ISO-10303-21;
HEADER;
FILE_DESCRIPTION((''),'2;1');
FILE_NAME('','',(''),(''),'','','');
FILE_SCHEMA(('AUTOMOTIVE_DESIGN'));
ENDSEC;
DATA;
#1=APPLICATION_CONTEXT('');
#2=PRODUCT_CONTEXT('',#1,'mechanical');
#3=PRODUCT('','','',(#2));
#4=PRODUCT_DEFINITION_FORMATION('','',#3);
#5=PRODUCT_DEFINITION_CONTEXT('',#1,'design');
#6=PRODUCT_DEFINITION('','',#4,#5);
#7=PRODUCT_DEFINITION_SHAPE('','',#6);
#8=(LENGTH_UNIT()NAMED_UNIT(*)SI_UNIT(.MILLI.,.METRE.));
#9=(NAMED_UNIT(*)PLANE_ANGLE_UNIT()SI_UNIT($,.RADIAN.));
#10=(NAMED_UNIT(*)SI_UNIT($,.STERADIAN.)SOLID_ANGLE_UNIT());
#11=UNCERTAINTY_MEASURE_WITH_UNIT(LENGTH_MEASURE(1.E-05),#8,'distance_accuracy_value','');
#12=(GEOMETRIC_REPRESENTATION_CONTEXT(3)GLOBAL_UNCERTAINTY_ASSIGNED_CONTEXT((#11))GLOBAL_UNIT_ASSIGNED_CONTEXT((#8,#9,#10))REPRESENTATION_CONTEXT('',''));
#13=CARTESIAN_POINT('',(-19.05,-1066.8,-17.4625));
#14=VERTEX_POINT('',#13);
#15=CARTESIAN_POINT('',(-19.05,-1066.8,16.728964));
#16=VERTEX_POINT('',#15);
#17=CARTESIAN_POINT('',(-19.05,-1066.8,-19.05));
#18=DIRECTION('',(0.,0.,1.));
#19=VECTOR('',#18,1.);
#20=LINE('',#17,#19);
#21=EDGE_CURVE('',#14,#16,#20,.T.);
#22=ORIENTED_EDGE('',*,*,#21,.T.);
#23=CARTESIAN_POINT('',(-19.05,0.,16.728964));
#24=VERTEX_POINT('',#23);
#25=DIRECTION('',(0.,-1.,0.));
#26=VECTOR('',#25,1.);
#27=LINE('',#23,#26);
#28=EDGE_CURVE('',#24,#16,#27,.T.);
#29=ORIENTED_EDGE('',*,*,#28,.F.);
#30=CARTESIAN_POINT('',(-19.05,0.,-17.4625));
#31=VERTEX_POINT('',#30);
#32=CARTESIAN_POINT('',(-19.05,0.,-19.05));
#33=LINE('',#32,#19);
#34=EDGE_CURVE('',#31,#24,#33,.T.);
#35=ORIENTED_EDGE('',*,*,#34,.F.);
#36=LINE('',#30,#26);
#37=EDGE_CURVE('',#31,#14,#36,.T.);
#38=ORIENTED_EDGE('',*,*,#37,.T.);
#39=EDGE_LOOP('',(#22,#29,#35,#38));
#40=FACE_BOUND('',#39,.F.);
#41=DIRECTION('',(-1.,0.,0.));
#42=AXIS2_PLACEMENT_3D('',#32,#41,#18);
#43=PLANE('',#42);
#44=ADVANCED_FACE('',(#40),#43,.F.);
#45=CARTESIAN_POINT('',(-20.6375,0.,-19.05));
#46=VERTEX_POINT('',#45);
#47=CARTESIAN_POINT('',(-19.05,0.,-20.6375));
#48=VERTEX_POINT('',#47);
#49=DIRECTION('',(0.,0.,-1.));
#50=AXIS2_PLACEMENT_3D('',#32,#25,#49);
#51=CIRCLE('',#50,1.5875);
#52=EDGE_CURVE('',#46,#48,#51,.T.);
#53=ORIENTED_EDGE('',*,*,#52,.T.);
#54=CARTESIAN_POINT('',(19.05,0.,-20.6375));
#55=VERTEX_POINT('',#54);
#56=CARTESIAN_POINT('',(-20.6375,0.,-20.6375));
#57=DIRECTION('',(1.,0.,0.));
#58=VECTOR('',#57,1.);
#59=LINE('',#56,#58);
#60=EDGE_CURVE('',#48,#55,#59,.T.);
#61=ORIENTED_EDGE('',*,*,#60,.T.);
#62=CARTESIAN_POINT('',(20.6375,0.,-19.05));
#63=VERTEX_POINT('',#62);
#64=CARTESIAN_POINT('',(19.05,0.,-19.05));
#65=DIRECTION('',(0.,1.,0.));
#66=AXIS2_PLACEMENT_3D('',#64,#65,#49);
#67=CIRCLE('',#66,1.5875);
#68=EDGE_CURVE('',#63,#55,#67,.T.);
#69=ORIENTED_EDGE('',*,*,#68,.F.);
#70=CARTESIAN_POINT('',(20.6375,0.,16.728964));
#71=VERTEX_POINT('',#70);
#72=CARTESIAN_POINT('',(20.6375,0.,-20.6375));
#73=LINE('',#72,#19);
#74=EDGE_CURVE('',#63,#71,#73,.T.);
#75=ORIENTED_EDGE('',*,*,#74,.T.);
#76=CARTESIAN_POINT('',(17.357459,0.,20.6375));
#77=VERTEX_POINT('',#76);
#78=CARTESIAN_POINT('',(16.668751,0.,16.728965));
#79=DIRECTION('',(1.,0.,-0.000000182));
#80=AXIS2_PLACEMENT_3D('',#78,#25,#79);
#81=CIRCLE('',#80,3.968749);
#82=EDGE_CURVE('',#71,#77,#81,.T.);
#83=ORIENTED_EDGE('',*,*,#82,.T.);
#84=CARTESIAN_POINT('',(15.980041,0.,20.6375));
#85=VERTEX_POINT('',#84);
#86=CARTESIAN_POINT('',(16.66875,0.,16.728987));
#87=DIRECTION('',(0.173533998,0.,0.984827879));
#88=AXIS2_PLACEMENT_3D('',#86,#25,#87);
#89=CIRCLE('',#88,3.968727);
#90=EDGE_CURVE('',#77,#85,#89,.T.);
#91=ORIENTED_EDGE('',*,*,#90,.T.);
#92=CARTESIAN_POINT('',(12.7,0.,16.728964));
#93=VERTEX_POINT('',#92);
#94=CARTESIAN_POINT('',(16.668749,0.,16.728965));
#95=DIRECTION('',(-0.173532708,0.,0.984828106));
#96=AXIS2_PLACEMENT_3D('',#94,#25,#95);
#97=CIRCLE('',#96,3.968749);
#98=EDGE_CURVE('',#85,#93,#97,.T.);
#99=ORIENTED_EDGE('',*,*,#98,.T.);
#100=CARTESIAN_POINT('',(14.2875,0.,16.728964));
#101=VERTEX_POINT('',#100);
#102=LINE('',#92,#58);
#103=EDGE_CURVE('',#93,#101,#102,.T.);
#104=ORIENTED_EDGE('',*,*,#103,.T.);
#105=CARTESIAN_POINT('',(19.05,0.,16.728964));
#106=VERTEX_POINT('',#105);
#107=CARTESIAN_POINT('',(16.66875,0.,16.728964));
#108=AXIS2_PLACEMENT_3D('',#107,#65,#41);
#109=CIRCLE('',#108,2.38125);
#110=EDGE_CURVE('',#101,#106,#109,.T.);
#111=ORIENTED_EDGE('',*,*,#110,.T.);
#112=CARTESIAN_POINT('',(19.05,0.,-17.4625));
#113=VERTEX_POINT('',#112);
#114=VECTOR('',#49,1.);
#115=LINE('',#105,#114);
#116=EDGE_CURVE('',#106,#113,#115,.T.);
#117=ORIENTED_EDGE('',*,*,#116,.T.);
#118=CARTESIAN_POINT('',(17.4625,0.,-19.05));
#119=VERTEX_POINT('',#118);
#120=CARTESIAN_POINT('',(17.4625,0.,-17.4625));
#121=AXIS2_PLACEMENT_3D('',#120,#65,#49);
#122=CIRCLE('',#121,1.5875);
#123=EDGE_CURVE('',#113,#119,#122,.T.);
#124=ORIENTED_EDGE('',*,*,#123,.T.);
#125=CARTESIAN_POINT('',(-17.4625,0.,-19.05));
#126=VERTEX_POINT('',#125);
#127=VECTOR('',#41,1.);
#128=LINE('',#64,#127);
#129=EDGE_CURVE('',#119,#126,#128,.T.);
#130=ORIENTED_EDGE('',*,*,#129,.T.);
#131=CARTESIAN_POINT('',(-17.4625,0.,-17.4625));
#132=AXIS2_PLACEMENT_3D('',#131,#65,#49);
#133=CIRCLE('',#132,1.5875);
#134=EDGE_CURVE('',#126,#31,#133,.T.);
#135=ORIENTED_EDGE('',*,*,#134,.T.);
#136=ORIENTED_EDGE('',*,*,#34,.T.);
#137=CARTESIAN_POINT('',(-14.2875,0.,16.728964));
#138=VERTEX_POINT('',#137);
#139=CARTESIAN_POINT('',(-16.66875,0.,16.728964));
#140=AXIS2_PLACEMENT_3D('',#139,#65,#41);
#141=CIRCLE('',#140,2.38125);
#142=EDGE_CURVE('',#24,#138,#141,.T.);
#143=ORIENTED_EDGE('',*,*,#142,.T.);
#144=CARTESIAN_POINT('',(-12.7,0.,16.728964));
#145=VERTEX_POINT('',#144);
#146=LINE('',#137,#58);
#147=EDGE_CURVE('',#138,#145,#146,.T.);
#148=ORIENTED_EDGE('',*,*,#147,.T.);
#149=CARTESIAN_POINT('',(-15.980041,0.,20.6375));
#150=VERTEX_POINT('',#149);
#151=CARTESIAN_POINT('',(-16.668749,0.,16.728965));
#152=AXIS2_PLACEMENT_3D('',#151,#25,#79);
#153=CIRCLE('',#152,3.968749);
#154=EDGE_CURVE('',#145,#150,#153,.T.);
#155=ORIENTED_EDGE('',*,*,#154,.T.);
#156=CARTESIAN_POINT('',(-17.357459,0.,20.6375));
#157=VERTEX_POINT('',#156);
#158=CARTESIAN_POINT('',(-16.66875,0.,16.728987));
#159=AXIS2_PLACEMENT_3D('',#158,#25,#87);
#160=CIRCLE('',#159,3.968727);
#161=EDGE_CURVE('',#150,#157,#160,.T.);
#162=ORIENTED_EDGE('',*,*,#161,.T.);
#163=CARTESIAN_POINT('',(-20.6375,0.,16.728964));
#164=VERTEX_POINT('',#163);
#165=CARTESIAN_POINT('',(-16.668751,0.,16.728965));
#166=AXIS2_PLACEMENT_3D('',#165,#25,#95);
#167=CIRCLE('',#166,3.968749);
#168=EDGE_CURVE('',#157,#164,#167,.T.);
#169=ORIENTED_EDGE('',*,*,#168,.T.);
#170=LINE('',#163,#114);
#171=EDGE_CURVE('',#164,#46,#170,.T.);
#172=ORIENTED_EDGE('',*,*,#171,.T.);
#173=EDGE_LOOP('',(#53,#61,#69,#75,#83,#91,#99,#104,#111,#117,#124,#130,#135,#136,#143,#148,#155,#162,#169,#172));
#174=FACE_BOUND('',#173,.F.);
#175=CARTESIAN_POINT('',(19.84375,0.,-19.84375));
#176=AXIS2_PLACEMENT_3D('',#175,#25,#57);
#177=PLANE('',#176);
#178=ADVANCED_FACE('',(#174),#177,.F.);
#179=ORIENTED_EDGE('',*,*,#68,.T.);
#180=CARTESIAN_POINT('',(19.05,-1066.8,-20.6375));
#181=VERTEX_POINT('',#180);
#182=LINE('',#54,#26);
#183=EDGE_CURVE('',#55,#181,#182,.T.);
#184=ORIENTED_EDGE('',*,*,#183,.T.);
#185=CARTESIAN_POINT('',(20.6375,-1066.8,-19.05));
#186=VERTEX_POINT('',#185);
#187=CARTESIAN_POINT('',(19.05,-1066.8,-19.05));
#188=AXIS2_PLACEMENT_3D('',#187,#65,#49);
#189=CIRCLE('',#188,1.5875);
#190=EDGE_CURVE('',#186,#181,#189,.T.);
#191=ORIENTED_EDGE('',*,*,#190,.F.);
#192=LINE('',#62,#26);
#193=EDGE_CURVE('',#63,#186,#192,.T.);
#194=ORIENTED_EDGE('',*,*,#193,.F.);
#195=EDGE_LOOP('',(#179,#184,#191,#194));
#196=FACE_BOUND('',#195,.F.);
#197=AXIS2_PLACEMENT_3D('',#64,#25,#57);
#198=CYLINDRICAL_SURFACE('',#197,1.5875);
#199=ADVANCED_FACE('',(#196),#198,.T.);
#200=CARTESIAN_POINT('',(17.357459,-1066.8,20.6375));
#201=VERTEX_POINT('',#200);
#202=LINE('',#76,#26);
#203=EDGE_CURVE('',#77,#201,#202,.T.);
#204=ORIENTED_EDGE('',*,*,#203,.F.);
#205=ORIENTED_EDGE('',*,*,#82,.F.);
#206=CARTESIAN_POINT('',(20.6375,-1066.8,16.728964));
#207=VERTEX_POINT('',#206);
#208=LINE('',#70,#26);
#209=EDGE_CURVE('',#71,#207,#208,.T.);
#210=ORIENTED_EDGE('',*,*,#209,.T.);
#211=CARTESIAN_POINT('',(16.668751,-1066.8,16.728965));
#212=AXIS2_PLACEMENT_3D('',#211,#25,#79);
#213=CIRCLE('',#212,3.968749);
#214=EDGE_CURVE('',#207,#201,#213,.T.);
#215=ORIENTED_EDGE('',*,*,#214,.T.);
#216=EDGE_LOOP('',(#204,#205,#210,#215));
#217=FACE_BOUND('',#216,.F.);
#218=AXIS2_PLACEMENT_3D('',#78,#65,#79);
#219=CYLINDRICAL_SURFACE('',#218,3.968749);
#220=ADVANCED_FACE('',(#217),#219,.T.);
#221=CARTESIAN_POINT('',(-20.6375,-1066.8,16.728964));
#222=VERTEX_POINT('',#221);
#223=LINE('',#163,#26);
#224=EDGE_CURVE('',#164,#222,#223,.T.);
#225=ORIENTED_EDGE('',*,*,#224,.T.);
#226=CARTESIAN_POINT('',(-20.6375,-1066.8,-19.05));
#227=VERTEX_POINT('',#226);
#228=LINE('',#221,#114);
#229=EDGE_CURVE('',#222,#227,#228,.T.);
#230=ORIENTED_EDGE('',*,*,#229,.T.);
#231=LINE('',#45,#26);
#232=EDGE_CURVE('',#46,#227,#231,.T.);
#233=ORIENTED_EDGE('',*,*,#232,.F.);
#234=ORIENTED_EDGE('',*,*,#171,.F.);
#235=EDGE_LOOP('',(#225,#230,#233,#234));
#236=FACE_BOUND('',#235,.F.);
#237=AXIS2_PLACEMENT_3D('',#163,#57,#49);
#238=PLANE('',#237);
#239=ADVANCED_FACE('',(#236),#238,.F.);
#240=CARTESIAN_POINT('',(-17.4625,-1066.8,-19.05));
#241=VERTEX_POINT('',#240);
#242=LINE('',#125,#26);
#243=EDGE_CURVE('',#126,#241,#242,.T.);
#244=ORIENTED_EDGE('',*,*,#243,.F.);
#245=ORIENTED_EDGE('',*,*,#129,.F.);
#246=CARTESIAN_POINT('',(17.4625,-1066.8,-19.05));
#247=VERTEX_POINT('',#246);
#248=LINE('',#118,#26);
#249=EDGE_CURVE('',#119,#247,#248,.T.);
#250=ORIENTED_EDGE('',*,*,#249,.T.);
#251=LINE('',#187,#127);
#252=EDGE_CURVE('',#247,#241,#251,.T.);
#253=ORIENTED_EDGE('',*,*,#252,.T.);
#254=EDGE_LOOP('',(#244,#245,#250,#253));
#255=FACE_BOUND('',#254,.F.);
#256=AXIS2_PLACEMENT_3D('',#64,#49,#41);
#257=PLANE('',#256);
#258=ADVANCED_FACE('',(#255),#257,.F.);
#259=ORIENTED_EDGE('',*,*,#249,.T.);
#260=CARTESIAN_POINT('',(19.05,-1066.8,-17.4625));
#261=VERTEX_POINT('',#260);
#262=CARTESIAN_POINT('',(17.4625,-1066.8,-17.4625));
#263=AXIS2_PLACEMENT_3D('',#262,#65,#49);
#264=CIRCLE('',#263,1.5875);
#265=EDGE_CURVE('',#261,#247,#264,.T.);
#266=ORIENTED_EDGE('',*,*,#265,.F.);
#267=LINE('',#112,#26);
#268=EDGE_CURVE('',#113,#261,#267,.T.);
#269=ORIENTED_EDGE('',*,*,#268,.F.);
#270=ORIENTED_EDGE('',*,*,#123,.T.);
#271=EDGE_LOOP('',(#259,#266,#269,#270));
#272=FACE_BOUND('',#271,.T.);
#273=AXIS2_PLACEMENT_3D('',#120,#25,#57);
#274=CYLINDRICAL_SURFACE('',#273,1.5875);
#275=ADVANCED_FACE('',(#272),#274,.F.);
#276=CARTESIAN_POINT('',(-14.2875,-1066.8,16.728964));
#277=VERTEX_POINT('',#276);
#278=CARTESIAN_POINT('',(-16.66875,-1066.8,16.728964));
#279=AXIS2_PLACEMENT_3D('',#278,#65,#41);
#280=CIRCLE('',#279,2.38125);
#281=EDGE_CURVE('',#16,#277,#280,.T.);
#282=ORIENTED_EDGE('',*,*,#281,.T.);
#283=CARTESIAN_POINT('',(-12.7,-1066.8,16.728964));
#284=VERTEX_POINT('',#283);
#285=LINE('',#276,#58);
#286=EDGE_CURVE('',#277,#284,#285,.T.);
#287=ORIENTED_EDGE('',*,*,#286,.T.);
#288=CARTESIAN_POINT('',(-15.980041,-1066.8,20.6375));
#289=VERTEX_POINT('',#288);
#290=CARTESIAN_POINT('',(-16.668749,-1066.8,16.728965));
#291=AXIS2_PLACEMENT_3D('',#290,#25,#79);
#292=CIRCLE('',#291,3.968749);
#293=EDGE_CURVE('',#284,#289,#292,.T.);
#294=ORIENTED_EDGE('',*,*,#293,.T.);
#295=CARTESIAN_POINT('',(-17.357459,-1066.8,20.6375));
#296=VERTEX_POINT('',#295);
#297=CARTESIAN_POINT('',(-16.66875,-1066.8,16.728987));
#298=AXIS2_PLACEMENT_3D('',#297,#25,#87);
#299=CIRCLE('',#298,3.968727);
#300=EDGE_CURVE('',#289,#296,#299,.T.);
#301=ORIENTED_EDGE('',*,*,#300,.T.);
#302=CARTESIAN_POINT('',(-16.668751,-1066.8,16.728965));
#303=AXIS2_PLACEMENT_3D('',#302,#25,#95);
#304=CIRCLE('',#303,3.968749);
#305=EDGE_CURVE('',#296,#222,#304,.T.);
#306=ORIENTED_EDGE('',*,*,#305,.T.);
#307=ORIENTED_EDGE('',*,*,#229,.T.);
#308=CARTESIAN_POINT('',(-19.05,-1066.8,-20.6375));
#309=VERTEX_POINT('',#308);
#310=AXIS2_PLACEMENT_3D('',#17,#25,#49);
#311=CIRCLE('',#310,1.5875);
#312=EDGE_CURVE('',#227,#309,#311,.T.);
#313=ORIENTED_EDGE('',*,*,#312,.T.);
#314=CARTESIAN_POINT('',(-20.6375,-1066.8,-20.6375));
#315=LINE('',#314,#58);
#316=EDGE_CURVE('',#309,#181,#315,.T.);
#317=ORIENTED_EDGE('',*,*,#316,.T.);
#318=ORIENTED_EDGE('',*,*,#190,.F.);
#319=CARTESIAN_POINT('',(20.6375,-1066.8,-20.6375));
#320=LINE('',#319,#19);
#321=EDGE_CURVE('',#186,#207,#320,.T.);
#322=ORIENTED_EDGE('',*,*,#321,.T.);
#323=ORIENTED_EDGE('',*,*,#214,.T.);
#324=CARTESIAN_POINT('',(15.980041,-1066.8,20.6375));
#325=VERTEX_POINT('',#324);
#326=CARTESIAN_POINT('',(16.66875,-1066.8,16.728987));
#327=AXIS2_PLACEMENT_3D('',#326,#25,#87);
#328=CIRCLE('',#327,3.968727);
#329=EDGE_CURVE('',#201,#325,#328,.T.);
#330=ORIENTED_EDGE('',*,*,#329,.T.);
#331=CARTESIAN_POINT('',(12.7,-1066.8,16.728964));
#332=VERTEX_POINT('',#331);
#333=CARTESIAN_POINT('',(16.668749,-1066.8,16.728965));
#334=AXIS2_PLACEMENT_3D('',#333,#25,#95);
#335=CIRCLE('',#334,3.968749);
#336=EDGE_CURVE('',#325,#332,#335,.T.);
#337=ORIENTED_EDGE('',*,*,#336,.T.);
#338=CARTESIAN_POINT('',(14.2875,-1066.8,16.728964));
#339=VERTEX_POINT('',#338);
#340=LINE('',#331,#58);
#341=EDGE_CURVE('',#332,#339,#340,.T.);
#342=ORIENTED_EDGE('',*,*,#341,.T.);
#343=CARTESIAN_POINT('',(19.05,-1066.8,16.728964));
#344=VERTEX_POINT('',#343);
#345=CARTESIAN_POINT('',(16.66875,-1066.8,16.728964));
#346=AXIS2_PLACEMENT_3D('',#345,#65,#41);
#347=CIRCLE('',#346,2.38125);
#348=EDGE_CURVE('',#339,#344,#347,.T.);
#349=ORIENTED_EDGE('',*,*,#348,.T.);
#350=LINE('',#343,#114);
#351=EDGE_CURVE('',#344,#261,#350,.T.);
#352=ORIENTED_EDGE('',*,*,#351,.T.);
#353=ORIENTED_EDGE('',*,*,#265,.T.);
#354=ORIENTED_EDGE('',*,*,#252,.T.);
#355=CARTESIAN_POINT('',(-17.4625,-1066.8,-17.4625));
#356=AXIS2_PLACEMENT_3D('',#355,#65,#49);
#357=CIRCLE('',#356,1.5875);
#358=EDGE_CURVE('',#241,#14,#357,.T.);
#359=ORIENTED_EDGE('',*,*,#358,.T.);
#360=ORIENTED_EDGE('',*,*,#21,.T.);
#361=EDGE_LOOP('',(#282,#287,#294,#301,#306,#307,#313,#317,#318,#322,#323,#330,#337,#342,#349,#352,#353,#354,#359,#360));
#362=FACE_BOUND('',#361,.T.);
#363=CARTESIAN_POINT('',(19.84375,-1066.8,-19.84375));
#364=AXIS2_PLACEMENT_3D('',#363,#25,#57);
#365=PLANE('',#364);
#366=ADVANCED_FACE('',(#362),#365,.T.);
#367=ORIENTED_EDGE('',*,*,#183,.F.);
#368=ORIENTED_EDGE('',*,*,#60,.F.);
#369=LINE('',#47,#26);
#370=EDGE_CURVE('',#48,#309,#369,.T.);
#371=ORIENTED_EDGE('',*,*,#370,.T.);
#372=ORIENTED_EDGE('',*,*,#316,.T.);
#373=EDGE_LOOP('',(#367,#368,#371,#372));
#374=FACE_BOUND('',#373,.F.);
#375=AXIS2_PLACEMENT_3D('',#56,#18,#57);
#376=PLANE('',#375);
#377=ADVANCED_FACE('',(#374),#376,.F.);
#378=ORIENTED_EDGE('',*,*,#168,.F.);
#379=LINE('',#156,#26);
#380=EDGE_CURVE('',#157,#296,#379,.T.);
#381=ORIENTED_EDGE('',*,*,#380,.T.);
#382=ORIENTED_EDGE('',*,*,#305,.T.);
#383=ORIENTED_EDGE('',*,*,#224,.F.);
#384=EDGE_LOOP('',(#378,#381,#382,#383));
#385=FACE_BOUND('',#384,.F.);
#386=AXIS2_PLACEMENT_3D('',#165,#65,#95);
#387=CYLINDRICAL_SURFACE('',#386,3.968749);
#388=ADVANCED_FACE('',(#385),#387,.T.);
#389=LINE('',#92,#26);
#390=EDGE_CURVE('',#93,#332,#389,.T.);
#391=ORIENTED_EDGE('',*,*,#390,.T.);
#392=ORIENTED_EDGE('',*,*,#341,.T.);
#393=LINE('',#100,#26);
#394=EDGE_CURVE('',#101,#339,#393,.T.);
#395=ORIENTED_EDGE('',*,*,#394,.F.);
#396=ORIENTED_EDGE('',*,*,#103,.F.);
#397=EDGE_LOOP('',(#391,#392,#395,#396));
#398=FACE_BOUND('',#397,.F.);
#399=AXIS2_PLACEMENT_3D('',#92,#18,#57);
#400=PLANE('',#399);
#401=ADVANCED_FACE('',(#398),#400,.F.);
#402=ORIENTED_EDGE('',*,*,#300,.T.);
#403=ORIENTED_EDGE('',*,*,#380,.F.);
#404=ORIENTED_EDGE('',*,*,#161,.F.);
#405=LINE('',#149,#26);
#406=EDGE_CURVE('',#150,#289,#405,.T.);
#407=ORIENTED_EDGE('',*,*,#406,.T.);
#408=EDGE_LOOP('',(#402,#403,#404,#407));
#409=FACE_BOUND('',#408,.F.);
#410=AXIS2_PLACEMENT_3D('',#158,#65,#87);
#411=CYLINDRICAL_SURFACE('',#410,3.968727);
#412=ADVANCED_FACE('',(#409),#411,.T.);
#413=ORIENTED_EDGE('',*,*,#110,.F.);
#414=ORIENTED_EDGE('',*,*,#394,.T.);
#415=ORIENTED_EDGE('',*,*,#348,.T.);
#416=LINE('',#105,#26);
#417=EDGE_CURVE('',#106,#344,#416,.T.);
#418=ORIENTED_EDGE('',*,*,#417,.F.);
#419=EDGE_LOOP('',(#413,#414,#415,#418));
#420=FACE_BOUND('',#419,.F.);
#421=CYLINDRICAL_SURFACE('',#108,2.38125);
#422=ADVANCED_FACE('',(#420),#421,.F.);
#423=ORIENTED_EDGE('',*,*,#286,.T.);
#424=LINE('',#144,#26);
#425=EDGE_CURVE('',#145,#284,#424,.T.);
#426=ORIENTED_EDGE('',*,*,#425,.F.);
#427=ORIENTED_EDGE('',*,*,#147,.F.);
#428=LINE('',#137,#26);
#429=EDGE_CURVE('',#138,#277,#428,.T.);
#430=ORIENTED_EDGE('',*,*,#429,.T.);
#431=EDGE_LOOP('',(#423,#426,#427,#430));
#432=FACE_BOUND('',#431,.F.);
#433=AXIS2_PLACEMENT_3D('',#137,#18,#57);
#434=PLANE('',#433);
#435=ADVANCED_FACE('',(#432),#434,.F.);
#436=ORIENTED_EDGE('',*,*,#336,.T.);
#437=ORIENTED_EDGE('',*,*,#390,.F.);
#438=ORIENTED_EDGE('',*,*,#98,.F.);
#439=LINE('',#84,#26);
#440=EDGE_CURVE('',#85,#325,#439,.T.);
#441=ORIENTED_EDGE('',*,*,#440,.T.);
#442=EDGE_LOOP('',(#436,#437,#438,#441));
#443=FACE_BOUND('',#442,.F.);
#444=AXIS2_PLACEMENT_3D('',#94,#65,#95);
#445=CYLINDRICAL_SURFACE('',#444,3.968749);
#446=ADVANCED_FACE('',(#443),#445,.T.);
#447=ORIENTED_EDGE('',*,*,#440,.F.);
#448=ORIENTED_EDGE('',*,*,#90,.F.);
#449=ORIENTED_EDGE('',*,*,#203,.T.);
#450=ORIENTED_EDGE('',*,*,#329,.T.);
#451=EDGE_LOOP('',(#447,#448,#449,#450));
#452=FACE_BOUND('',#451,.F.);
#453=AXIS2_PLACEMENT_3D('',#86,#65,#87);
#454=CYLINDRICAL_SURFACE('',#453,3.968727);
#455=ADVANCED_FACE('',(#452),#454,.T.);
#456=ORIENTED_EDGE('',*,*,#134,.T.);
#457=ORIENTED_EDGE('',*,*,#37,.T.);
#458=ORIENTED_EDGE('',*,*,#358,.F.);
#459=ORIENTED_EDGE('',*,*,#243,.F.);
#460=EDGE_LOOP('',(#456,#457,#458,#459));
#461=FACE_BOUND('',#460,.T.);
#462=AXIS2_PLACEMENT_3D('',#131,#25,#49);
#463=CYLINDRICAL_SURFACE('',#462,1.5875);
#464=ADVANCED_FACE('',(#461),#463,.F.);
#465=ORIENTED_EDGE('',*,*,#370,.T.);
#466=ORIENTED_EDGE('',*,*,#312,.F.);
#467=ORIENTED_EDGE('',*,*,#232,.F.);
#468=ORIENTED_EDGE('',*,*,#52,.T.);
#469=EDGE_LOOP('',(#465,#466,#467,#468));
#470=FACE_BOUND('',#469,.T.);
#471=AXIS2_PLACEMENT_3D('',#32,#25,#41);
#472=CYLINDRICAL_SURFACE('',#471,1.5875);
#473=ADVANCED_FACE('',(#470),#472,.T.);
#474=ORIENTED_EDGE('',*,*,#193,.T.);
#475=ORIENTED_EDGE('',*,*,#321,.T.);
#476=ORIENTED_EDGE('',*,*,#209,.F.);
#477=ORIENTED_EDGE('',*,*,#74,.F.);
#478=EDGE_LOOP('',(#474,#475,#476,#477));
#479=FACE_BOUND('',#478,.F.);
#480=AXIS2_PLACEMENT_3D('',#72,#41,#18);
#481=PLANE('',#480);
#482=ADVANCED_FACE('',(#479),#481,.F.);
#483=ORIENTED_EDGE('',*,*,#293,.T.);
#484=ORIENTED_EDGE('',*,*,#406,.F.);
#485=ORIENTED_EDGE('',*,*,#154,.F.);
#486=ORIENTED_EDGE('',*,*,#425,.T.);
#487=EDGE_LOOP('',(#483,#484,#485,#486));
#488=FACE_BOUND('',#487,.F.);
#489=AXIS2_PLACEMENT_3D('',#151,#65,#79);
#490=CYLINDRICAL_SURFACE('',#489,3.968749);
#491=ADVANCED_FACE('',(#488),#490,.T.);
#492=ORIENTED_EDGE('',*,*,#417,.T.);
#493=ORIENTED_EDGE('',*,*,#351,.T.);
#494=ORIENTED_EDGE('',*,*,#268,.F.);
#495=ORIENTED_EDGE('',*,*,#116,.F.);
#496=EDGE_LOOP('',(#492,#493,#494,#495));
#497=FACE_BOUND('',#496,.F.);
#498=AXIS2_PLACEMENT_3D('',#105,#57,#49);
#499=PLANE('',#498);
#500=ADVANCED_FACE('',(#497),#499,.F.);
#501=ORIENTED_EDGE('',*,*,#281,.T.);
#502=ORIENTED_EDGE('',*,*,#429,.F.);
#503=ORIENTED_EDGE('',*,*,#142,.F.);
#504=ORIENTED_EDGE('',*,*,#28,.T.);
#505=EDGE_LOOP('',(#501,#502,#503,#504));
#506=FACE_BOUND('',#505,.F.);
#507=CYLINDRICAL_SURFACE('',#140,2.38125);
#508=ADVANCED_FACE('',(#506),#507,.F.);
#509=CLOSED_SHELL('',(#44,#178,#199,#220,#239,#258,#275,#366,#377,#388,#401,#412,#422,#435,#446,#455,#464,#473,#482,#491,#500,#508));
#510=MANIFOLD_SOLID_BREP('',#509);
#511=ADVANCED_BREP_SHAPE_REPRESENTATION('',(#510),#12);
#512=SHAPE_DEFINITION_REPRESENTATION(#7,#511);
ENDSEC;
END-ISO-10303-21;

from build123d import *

# Parameters (mm, degrees)
F0_W     = 1.5875
F0_H     = 1.5875
F0_W_2   = 38.1
F1_DEPTH = 1066.8
F2_R     = 1.5875


with BuildPart() as f1:
    # F0 (on Front) → F1 (new body)
    with BuildSketch(Plane.XZ):
        with Locations((19.84375, -19.84375)):
            Rectangle(F0_W, F0_H)
        with Locations((0, -19.84375)):
            Rectangle(F0_W_2, F0_H)
        with BuildLine():
            Line((19.05, -19.05), (20.6375, -19.05))
            Line((20.6375, -19.05), (20.6375, 16.728964))
            ThreePointArc((20.6375, 16.728964), (19.70884, 19.280205), (17.357459, 20.6375))
            Line((17.357459, 20.6375), (15.980041, 20.6375))
            ThreePointArc((15.980041, 20.6375), (13.62866, 19.280205), (12.7, 16.728964))
            Line((12.7, 16.728964), (14.2875, 16.728964))
            ThreePointArc((14.2875, 16.728964), (16.66875, 19.110214), (19.05, 16.728964))
            Line((19.05, 16.728964), (19.05, -19.05))
        make_face()
        with Locations((-19.84375, -19.84375)):
            Rectangle(F0_W, F0_H)
        with BuildLine():
            Line((-20.6375, -19.05), (-19.05, -19.05))
            Line((-19.05, -19.05), (-19.05, 16.728964))
            ThreePointArc((-19.05, 16.728964), (-16.66875, 19.110214), (-14.2875, 16.728964))
            Line((-14.2875, 16.728964), (-12.7, 16.728964))
            ThreePointArc((-12.7, 16.728964), (-13.62866, 19.280205), (-15.980041, 20.6375))
            Line((-15.980041, 20.6375), (-17.357459, 20.6375))
            ThreePointArc((-17.357459, 20.6375), (-19.70884, 19.280205), (-20.6375, 16.728964))
            Line((-20.6375, 16.728964), (-20.6375, -19.05))
        make_face()
        with BuildLine():
            Line((15.980041, 20.6375), (17.357459, 20.6375))
            ThreePointArc((17.357459, 20.6375), (16.66875, 20.697714), (15.980041, 20.6375))
        make_face()
        with BuildLine():
            ThreePointArc((-15.980041, 20.6375), (-16.66875, 20.697714), (-17.357459, 20.6375))
            Line((-17.357459, 20.6375), (-15.980041, 20.6375))
        make_face()
    extrude(amount=F1_DEPTH)

    # F2
    f2_edges = [f1.edges().sort_by_distance(p)[0] for p in [
        (-19.05, -533.4, -19.05),
        (19.05, -533.4, -19.05),
        (20.6375, -533.4, -20.6375),
        (-20.6375, -533.4, -20.6375),
    ]]
    fillet(f2_edges, radius=F2_R)


solid = f1.part
